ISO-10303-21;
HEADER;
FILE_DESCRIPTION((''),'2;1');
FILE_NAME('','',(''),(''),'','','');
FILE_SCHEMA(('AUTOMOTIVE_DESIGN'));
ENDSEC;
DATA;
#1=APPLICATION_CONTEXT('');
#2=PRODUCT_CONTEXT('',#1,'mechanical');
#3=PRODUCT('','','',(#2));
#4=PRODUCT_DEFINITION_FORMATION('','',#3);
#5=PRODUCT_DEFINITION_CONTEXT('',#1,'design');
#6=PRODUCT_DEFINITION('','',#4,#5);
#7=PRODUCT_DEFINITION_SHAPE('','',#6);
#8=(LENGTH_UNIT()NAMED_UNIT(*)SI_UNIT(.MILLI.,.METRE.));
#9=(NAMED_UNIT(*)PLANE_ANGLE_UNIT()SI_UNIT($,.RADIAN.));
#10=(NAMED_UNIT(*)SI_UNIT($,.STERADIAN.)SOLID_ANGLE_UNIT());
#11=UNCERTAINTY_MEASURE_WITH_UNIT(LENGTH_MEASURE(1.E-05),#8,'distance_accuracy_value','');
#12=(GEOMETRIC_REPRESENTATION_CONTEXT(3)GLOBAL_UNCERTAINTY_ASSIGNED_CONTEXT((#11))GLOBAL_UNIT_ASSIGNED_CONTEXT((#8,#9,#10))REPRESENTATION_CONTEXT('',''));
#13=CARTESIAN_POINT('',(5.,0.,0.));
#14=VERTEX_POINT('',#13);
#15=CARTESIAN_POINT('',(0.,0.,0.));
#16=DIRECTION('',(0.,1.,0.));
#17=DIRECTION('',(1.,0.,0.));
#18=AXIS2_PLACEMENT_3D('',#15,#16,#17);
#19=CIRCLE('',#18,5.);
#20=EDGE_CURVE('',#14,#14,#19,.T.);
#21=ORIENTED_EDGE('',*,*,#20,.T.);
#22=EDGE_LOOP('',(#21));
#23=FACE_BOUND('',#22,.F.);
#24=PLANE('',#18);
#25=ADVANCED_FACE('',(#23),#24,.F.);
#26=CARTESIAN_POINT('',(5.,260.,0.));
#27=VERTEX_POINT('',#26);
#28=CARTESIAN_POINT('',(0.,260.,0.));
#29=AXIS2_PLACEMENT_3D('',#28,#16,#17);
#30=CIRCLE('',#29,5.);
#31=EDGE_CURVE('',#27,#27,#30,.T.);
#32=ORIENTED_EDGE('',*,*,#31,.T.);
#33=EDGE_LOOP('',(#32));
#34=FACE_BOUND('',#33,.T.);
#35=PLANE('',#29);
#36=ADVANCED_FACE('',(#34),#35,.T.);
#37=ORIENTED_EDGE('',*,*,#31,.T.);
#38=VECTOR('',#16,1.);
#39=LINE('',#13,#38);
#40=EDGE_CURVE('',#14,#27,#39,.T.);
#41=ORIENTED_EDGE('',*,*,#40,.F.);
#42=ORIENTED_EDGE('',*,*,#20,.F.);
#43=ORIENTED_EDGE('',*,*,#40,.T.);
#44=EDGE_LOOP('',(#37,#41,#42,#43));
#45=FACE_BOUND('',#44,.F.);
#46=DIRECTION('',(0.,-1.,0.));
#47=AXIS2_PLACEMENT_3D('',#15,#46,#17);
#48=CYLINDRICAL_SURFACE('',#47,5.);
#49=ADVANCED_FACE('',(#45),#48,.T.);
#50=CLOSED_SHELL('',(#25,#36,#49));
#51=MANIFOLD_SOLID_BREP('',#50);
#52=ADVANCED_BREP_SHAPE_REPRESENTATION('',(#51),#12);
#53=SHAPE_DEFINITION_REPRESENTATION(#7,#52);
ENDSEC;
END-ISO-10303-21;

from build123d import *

# Parameters (mm, degrees)
ESQUISSE1_R        = 5
BOSS_EXTRU_1_DEPTH = 260


with BuildPart() as part:
    # Esquisse1 → Boss.-Extru.1 (new body)
    with BuildSketch(Plane(origin=(0, 0, 0), x_dir=(1, 0, 0), z_dir=(0, 1, 0))):
        Circle(ESQUISSE1_R)
    extrude(amount=BOSS_EXTRU_1_DEPTH)


solid = part.part
